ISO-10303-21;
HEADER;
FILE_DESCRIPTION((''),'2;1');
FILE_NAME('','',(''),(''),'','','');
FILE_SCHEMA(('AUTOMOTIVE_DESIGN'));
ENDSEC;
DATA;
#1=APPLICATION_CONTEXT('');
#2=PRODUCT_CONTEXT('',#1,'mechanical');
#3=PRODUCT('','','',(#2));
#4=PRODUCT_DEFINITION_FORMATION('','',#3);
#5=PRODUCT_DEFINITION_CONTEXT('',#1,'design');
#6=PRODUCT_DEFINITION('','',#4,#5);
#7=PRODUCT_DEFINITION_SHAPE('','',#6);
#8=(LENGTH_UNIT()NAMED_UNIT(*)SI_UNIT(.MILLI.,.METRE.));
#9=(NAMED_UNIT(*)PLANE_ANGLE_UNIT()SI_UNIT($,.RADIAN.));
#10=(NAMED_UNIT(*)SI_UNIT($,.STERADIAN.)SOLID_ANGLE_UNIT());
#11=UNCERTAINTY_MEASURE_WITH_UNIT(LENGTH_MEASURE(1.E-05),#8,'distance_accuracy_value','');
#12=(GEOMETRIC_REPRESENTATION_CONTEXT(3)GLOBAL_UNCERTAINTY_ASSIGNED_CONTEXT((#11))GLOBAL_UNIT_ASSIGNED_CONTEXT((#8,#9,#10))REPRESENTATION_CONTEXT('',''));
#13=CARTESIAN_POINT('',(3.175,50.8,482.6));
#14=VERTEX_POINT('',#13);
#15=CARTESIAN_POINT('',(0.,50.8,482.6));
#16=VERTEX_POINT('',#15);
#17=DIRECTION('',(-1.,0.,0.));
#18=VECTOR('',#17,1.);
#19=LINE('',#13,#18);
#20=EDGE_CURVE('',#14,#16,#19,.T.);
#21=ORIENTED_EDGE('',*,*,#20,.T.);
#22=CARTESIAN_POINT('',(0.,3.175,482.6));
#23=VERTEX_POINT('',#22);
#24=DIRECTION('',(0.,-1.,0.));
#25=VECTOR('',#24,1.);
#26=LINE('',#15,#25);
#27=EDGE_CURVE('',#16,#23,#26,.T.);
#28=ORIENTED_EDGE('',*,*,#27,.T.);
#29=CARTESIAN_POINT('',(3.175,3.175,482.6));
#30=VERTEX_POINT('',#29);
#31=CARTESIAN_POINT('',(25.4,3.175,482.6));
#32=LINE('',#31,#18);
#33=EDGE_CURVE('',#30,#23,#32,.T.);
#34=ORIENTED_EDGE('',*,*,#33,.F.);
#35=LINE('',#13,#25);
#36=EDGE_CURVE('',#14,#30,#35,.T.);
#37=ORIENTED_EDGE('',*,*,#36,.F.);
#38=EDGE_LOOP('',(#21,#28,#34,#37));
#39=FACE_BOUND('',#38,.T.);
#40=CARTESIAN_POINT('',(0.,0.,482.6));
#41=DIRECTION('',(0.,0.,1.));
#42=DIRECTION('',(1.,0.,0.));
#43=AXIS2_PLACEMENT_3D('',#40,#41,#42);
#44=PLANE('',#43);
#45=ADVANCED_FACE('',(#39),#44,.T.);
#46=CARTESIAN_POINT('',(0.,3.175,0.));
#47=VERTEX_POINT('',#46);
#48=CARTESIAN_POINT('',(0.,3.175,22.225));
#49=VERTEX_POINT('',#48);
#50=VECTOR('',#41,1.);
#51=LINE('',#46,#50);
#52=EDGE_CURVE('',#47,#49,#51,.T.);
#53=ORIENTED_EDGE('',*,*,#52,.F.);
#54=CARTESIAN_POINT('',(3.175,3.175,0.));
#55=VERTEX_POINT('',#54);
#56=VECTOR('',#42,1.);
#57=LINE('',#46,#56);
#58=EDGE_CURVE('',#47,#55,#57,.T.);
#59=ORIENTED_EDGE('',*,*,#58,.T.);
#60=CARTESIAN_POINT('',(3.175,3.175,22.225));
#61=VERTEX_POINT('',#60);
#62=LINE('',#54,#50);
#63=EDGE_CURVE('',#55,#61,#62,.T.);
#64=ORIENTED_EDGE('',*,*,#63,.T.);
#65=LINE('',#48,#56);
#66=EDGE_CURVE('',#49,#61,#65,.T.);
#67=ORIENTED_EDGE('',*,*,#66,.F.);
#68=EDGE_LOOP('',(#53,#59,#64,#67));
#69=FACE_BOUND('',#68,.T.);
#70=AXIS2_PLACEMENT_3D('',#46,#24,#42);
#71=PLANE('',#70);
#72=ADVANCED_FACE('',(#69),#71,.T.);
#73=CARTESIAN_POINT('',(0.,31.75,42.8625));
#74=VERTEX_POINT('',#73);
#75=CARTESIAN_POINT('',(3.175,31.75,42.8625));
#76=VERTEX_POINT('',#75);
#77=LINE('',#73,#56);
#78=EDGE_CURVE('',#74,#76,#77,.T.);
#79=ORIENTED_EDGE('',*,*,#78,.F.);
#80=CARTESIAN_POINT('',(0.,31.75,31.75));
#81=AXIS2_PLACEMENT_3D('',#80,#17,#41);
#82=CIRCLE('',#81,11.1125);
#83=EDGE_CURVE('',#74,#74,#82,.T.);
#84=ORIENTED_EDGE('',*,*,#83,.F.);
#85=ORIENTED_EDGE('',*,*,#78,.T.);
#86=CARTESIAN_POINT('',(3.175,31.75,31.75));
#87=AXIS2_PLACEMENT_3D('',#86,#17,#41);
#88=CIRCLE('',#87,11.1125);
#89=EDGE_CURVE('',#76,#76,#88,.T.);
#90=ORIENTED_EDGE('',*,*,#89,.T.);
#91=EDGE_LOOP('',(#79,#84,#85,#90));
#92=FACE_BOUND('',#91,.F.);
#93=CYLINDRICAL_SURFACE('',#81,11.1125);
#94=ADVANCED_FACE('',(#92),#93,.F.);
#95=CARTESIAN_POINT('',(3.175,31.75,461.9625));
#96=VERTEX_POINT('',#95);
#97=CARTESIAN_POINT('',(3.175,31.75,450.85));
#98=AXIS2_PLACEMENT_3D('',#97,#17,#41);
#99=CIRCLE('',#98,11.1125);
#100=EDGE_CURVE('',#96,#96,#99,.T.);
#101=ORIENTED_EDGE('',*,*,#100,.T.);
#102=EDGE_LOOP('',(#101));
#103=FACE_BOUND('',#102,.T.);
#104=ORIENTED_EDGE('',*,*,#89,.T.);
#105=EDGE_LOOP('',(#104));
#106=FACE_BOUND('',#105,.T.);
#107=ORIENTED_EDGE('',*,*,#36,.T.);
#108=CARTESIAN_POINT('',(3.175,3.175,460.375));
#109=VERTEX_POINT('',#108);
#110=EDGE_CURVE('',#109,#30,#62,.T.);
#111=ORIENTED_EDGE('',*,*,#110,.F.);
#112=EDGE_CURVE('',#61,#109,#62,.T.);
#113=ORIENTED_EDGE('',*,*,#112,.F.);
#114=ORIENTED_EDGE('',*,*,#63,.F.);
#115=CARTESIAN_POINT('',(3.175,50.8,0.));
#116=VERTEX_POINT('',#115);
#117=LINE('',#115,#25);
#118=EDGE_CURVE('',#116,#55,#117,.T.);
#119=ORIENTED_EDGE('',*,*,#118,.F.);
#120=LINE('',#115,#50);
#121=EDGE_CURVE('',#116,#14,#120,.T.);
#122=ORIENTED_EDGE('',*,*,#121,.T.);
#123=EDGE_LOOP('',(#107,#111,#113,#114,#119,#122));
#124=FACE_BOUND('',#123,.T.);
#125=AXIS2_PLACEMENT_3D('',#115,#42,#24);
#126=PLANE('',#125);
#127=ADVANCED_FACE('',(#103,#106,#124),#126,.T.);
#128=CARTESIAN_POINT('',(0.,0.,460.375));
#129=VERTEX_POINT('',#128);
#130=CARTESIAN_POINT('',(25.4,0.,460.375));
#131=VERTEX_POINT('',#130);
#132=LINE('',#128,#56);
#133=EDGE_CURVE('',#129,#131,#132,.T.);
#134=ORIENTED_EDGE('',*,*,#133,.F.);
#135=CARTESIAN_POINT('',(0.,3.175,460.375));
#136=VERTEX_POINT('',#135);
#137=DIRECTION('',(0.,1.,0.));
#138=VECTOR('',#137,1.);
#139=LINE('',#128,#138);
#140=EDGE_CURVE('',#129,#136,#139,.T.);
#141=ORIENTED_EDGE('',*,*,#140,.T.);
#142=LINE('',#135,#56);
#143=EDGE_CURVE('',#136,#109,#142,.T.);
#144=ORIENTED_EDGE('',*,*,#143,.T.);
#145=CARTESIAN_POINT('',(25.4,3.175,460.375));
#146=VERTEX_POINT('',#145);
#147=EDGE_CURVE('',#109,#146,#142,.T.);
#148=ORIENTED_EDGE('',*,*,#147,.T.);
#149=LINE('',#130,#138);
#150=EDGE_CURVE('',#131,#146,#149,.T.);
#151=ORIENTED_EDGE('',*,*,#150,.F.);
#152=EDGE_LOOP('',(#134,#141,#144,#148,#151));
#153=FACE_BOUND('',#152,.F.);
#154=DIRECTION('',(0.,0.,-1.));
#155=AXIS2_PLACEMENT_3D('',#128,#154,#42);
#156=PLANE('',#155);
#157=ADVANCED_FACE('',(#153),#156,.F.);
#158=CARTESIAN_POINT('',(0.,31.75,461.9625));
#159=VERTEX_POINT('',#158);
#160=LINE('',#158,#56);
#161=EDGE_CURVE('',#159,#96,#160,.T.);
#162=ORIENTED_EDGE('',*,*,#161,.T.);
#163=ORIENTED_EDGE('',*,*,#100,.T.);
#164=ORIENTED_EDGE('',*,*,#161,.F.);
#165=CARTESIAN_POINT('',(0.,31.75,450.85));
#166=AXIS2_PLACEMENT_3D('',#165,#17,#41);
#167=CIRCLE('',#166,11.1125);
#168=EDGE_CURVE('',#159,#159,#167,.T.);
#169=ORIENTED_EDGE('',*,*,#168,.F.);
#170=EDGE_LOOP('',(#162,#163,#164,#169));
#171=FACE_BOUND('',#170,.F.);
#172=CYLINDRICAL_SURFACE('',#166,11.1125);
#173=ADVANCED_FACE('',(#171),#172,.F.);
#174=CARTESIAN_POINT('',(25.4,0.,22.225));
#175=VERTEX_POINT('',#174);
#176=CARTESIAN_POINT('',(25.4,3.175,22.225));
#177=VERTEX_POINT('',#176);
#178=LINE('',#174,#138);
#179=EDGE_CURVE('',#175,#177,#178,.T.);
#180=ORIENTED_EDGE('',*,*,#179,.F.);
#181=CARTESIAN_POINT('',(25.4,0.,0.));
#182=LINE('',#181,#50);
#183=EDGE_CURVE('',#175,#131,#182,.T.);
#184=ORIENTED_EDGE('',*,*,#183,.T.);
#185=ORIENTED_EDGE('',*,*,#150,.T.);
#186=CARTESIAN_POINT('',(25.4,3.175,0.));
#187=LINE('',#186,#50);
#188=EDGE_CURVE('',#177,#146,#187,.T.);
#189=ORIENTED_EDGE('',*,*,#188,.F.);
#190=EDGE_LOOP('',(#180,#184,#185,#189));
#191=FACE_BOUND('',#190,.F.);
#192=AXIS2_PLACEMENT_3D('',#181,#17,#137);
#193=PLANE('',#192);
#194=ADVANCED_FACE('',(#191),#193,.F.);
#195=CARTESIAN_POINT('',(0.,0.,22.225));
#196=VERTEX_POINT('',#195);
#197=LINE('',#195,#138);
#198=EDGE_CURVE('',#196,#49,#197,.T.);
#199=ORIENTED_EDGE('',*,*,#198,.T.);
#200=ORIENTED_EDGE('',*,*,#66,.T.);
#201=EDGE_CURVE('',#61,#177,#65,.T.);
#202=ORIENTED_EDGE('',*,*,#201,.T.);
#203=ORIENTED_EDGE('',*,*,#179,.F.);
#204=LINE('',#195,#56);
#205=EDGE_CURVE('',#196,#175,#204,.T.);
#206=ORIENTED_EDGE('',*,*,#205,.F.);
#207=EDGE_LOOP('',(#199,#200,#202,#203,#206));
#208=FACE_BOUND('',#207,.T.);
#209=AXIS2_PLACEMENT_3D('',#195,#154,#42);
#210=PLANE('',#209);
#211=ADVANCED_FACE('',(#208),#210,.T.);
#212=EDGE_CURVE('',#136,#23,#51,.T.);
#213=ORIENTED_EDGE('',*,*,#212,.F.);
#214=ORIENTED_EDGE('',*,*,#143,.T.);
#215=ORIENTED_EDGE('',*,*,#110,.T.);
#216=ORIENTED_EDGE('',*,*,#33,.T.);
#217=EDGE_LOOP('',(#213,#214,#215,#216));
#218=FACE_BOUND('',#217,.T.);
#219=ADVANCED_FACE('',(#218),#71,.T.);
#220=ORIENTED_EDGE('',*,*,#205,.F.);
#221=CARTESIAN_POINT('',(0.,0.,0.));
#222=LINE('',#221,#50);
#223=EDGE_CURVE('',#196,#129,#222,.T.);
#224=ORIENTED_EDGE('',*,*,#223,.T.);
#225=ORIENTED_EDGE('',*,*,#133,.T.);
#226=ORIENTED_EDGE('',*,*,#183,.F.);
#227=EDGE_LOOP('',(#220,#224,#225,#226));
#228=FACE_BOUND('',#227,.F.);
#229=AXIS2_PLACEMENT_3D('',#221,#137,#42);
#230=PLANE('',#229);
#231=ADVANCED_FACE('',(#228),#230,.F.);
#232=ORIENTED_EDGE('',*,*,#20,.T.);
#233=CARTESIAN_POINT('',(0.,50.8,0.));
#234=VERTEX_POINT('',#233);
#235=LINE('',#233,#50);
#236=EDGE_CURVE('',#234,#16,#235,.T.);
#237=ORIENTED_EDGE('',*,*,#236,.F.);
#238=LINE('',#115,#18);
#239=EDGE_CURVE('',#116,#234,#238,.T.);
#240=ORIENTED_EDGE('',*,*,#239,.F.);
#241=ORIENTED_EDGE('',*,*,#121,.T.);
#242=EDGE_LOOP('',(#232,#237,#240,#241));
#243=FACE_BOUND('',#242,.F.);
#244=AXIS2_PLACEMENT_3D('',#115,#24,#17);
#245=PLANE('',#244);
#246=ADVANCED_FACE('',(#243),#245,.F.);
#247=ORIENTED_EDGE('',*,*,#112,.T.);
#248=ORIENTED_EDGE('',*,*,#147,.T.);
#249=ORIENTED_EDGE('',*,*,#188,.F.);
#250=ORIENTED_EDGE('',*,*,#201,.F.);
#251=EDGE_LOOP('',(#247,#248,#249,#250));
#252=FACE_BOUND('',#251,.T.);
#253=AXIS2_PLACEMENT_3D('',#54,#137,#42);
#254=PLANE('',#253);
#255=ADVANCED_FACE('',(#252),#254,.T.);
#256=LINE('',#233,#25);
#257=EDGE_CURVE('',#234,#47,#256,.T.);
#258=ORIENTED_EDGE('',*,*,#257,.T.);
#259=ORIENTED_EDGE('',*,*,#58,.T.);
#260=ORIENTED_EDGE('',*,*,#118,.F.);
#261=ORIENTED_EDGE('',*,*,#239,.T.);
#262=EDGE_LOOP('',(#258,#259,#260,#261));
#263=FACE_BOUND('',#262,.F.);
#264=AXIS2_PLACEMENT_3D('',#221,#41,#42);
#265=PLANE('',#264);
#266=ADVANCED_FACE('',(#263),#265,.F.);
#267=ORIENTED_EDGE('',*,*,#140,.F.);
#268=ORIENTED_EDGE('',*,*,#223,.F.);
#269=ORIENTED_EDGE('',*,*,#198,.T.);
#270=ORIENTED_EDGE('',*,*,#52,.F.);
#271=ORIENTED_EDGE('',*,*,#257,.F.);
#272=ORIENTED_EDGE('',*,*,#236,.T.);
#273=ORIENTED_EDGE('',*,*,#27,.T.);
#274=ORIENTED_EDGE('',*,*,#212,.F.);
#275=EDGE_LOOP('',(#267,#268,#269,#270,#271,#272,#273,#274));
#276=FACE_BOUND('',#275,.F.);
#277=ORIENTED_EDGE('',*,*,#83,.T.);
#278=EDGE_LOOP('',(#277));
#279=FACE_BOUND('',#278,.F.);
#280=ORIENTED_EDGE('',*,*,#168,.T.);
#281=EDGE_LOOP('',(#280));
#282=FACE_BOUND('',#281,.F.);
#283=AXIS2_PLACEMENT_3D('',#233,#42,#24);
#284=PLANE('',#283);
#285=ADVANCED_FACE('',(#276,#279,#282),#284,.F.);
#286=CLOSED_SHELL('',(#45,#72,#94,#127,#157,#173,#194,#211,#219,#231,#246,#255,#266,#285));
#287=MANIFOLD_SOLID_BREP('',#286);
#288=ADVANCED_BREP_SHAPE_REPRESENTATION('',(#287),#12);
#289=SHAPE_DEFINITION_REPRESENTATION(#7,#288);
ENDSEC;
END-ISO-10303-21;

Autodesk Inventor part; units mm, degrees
ref_plane "YZ Plane" through (0, 0, 0) normal (1, 0, 0) x (0, 1, 0)
ref_plane "XZ Plane" through (0, 0, 0) normal (0, 1, 0) x (-1, 0, 0)
ref_plane "XY Plane" through (0, 0, 0) normal (0, 0, 1) x (1, 0, 0)
sketch "Sketch1" plane through (0, 0, 0) normal (0, 0, 1) x (1, 0, 0)
  line L0 (0, 0) -> (25.4, 0)
  line L1 (25.4, 0) -> (25.4, 3.175)
  line L2 (3.175, 50.8) -> (0, 50.8)
  line L3 (0, 50.8) -> (0, 0)
  line L4 (3.175, 50.8) -> (3.175, 3.175)
  line L5 (3.175, 3.175) -> (25.4, 3.175)
  dimension "d0" = 50.8
  dimension "d1" = 25.4
  dimension "d2" = 3.175
  dimension "d3" = 3.175
extrude "Extrusion1" add sketch "Sketch1" along normal blind 482.6
sketch "Sketch2" plane through (0, 0, 0) normal (-1, 0, 0) x (0, 0, 1)
  line L0 (482.6, 0) -> (482.6, 50.8) projected
  line L1 (0, 0) -> (482.6, 0) projected
  circle A0 centre (450.85, 31.75) radius 11.1125
  line L2 (0, 50.8) -> (0, 0) projected
  circle A1 centre (31.75, 31.75) radius 11.1125
  dimension "d6" = 22.225
  dimension "d7" = 31.75
  dimension "d8" = 31.75
  dimension "d17" = 31.75
  dimension "d18" = 31.75
extrude "Extrusion2" cut sketch "Sketch2" against normal blind 508
sketch "Sketch3" plane through (0, 0, 0) normal (0, -1, 0) x (1, 0, 0)
  line L0 (0, 0) -> (0, 482.6) projected
  line L1 (0, 0) -> (25.4, 0) projected
  line L2 (25.4, 0) -> (25.4, 482.6) projected
  line L3 (0, 22.225) -> (25.4, 22.225)
  line L4 (25.4, 482.6) -> (0, 482.6) projected
  line L5 (0, 460.375) -> (25.4, 460.375)
  dimension "d13" = 22.225
  dimension "d16" = 22.225
extrude "Extrusion3" cut sketch "Sketch3" against normal blind 3.175 contours L0 L3 L2 L1 | L0 L4 L2 L5
equation "\"d3\" = d2"
equation "\"d17\" = d8"
equation "\"d18\" = d7"
equation "\"d16\" = d13"
properties part number "manipulator L frame middle"
